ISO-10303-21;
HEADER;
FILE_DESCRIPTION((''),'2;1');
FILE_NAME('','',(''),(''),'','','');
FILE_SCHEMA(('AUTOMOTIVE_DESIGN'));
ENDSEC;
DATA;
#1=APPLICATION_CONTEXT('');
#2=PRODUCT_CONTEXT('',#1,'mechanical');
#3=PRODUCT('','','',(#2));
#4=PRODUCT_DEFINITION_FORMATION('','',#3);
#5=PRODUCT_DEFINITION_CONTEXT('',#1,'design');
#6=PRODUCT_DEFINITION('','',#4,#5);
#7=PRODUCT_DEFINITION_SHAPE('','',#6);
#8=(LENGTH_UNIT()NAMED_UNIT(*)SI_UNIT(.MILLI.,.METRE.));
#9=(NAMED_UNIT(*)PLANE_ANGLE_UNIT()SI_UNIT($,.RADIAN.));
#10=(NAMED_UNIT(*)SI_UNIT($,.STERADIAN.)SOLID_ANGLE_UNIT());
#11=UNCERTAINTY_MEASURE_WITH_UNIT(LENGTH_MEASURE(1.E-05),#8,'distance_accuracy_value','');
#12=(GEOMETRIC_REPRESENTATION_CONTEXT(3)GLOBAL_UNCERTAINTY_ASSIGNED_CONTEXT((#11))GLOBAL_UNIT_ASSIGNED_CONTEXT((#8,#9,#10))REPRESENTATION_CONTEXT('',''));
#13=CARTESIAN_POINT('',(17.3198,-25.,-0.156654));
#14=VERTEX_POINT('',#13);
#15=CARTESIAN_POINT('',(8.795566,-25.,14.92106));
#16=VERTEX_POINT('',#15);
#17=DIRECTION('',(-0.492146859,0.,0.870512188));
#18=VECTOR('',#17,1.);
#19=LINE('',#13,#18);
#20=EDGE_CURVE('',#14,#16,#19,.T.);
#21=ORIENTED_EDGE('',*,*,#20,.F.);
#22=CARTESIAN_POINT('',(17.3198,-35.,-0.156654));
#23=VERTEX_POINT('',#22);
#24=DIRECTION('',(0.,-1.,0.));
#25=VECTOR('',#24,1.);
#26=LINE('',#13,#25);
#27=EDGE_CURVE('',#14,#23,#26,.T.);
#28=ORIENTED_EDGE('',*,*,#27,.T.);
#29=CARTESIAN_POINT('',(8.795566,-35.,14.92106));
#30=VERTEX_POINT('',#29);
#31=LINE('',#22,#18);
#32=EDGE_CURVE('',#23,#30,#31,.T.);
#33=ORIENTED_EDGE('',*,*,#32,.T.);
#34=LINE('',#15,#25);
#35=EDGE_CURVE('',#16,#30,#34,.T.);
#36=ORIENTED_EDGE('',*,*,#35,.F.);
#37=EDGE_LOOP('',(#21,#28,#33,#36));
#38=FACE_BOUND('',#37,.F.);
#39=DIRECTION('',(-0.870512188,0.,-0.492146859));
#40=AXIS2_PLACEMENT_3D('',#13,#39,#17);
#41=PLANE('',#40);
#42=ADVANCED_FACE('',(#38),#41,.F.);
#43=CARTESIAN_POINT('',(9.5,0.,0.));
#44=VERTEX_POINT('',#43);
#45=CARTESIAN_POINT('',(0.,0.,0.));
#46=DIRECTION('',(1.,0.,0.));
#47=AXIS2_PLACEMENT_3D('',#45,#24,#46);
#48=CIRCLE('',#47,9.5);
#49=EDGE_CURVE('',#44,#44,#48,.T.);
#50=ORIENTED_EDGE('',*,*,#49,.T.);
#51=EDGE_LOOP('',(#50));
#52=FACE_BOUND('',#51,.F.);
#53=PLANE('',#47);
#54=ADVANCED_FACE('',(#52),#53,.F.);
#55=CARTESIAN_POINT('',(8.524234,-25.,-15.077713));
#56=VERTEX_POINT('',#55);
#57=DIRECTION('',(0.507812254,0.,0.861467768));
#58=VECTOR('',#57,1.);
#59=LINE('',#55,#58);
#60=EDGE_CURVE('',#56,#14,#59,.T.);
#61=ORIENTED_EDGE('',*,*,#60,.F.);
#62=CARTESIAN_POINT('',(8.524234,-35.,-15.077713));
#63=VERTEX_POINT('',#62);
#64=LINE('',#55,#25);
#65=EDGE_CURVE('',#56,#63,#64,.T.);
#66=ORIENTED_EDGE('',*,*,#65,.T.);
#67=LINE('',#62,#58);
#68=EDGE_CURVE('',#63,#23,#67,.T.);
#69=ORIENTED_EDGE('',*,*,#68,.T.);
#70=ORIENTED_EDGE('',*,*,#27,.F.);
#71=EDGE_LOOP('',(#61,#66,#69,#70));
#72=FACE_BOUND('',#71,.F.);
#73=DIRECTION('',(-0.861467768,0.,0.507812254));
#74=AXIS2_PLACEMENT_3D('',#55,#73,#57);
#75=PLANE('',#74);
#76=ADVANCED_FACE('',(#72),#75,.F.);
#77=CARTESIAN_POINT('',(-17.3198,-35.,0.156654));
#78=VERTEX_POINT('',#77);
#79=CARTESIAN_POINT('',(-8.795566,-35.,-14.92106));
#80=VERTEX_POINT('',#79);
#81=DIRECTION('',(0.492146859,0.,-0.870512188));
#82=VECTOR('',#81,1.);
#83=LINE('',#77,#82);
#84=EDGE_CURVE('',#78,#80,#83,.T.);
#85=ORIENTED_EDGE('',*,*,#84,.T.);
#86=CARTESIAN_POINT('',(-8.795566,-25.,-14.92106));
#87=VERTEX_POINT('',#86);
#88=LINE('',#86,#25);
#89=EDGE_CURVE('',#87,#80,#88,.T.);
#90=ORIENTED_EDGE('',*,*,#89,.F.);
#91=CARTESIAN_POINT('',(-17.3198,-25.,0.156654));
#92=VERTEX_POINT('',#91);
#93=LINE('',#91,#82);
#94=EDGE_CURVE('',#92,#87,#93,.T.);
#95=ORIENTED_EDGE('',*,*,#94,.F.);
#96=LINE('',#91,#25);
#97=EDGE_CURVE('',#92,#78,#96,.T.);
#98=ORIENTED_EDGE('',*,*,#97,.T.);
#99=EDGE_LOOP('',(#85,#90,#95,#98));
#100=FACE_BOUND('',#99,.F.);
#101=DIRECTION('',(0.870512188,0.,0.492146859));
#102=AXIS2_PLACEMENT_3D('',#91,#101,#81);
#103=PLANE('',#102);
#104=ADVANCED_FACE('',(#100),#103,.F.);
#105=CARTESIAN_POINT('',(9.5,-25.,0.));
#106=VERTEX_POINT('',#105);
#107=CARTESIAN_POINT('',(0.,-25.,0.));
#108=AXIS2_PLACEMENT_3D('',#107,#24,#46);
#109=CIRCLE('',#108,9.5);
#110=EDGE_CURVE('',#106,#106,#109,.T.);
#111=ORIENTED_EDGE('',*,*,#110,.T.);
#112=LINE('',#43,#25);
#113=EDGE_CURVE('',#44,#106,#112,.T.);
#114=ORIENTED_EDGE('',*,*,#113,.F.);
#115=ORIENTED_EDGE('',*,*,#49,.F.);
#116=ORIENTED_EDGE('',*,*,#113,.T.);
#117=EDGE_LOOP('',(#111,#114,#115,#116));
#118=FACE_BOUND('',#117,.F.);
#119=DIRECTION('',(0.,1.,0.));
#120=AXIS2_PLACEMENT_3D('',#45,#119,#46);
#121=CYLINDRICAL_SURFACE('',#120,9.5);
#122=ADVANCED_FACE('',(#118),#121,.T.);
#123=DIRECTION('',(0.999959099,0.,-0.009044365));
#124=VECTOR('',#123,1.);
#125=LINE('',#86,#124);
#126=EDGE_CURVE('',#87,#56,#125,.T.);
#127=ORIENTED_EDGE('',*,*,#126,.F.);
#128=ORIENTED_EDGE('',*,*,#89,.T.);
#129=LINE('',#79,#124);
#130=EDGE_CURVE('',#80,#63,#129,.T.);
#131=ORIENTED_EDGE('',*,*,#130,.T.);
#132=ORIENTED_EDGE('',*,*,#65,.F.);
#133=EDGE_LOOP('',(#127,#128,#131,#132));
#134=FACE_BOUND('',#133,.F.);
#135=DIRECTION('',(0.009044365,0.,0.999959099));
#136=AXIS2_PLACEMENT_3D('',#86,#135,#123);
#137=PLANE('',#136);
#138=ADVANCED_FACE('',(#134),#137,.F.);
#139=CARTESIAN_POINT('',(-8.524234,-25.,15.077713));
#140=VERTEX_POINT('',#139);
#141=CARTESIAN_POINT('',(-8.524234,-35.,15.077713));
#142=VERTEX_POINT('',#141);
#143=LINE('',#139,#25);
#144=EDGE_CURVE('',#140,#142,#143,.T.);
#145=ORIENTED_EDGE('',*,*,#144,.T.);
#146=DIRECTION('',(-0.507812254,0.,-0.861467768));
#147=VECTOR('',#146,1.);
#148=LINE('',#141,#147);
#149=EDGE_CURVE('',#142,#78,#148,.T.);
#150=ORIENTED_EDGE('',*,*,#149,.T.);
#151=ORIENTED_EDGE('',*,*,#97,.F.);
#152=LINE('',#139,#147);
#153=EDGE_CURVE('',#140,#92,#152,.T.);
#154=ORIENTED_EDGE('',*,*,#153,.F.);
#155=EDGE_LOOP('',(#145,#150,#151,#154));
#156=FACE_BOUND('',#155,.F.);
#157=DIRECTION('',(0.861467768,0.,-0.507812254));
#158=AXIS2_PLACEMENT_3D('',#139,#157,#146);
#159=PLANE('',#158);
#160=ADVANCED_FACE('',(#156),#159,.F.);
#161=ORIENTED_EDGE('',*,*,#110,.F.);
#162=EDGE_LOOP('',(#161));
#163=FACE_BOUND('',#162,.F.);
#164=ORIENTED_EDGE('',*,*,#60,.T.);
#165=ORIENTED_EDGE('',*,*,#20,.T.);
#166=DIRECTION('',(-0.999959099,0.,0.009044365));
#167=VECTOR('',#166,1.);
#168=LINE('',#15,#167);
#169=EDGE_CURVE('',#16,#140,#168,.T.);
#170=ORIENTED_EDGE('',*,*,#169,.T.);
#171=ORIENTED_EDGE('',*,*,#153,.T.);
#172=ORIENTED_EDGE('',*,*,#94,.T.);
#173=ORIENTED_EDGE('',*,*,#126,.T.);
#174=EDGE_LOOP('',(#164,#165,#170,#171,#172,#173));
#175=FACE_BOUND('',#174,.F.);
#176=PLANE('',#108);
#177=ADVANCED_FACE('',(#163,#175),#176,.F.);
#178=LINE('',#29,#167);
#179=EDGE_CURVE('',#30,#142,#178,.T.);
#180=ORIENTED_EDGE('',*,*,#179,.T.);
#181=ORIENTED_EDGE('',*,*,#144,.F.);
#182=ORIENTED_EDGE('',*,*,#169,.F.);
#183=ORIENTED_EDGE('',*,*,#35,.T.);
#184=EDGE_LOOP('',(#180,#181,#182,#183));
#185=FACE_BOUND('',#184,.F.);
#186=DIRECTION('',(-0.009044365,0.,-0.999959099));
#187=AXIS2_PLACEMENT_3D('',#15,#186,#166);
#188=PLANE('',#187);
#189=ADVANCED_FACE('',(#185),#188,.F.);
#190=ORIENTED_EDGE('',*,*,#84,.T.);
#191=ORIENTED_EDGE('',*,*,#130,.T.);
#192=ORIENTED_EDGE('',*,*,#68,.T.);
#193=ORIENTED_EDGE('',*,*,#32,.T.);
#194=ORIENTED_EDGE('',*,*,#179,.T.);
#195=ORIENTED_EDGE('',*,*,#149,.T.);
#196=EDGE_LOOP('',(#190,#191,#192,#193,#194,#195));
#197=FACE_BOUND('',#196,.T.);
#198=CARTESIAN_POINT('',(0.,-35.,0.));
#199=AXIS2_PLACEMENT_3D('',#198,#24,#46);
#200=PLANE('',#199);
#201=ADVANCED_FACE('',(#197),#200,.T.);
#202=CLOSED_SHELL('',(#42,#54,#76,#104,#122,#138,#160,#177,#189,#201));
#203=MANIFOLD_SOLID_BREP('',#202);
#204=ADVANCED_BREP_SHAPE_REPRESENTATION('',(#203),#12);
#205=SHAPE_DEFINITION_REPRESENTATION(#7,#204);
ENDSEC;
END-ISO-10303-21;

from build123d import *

# Parameters (mm, degrees)
F0_R     = 9.5
F1_DEPTH = 25
F3_DEPTH = 10


with BuildPart() as f1:
    # F0 (on Front) → F1 (new body)
    with BuildSketch(Plane.XZ):
        Circle(F0_R)
    extrude(amount=F1_DEPTH)

    # F2 (on face) → F3 (join)
    with BuildSketch(Plane.XZ.offset(25)):
        Polygon((8.524234, -15.077713), (17.3198, -0.156654), (8.795566, 14.92106), (-8.524234, 15.077713), (-17.3198, 0.156654), (-8.795566, -14.92106), align=None)
    extrude(amount=F3_DEPTH)


solid = f1.part
